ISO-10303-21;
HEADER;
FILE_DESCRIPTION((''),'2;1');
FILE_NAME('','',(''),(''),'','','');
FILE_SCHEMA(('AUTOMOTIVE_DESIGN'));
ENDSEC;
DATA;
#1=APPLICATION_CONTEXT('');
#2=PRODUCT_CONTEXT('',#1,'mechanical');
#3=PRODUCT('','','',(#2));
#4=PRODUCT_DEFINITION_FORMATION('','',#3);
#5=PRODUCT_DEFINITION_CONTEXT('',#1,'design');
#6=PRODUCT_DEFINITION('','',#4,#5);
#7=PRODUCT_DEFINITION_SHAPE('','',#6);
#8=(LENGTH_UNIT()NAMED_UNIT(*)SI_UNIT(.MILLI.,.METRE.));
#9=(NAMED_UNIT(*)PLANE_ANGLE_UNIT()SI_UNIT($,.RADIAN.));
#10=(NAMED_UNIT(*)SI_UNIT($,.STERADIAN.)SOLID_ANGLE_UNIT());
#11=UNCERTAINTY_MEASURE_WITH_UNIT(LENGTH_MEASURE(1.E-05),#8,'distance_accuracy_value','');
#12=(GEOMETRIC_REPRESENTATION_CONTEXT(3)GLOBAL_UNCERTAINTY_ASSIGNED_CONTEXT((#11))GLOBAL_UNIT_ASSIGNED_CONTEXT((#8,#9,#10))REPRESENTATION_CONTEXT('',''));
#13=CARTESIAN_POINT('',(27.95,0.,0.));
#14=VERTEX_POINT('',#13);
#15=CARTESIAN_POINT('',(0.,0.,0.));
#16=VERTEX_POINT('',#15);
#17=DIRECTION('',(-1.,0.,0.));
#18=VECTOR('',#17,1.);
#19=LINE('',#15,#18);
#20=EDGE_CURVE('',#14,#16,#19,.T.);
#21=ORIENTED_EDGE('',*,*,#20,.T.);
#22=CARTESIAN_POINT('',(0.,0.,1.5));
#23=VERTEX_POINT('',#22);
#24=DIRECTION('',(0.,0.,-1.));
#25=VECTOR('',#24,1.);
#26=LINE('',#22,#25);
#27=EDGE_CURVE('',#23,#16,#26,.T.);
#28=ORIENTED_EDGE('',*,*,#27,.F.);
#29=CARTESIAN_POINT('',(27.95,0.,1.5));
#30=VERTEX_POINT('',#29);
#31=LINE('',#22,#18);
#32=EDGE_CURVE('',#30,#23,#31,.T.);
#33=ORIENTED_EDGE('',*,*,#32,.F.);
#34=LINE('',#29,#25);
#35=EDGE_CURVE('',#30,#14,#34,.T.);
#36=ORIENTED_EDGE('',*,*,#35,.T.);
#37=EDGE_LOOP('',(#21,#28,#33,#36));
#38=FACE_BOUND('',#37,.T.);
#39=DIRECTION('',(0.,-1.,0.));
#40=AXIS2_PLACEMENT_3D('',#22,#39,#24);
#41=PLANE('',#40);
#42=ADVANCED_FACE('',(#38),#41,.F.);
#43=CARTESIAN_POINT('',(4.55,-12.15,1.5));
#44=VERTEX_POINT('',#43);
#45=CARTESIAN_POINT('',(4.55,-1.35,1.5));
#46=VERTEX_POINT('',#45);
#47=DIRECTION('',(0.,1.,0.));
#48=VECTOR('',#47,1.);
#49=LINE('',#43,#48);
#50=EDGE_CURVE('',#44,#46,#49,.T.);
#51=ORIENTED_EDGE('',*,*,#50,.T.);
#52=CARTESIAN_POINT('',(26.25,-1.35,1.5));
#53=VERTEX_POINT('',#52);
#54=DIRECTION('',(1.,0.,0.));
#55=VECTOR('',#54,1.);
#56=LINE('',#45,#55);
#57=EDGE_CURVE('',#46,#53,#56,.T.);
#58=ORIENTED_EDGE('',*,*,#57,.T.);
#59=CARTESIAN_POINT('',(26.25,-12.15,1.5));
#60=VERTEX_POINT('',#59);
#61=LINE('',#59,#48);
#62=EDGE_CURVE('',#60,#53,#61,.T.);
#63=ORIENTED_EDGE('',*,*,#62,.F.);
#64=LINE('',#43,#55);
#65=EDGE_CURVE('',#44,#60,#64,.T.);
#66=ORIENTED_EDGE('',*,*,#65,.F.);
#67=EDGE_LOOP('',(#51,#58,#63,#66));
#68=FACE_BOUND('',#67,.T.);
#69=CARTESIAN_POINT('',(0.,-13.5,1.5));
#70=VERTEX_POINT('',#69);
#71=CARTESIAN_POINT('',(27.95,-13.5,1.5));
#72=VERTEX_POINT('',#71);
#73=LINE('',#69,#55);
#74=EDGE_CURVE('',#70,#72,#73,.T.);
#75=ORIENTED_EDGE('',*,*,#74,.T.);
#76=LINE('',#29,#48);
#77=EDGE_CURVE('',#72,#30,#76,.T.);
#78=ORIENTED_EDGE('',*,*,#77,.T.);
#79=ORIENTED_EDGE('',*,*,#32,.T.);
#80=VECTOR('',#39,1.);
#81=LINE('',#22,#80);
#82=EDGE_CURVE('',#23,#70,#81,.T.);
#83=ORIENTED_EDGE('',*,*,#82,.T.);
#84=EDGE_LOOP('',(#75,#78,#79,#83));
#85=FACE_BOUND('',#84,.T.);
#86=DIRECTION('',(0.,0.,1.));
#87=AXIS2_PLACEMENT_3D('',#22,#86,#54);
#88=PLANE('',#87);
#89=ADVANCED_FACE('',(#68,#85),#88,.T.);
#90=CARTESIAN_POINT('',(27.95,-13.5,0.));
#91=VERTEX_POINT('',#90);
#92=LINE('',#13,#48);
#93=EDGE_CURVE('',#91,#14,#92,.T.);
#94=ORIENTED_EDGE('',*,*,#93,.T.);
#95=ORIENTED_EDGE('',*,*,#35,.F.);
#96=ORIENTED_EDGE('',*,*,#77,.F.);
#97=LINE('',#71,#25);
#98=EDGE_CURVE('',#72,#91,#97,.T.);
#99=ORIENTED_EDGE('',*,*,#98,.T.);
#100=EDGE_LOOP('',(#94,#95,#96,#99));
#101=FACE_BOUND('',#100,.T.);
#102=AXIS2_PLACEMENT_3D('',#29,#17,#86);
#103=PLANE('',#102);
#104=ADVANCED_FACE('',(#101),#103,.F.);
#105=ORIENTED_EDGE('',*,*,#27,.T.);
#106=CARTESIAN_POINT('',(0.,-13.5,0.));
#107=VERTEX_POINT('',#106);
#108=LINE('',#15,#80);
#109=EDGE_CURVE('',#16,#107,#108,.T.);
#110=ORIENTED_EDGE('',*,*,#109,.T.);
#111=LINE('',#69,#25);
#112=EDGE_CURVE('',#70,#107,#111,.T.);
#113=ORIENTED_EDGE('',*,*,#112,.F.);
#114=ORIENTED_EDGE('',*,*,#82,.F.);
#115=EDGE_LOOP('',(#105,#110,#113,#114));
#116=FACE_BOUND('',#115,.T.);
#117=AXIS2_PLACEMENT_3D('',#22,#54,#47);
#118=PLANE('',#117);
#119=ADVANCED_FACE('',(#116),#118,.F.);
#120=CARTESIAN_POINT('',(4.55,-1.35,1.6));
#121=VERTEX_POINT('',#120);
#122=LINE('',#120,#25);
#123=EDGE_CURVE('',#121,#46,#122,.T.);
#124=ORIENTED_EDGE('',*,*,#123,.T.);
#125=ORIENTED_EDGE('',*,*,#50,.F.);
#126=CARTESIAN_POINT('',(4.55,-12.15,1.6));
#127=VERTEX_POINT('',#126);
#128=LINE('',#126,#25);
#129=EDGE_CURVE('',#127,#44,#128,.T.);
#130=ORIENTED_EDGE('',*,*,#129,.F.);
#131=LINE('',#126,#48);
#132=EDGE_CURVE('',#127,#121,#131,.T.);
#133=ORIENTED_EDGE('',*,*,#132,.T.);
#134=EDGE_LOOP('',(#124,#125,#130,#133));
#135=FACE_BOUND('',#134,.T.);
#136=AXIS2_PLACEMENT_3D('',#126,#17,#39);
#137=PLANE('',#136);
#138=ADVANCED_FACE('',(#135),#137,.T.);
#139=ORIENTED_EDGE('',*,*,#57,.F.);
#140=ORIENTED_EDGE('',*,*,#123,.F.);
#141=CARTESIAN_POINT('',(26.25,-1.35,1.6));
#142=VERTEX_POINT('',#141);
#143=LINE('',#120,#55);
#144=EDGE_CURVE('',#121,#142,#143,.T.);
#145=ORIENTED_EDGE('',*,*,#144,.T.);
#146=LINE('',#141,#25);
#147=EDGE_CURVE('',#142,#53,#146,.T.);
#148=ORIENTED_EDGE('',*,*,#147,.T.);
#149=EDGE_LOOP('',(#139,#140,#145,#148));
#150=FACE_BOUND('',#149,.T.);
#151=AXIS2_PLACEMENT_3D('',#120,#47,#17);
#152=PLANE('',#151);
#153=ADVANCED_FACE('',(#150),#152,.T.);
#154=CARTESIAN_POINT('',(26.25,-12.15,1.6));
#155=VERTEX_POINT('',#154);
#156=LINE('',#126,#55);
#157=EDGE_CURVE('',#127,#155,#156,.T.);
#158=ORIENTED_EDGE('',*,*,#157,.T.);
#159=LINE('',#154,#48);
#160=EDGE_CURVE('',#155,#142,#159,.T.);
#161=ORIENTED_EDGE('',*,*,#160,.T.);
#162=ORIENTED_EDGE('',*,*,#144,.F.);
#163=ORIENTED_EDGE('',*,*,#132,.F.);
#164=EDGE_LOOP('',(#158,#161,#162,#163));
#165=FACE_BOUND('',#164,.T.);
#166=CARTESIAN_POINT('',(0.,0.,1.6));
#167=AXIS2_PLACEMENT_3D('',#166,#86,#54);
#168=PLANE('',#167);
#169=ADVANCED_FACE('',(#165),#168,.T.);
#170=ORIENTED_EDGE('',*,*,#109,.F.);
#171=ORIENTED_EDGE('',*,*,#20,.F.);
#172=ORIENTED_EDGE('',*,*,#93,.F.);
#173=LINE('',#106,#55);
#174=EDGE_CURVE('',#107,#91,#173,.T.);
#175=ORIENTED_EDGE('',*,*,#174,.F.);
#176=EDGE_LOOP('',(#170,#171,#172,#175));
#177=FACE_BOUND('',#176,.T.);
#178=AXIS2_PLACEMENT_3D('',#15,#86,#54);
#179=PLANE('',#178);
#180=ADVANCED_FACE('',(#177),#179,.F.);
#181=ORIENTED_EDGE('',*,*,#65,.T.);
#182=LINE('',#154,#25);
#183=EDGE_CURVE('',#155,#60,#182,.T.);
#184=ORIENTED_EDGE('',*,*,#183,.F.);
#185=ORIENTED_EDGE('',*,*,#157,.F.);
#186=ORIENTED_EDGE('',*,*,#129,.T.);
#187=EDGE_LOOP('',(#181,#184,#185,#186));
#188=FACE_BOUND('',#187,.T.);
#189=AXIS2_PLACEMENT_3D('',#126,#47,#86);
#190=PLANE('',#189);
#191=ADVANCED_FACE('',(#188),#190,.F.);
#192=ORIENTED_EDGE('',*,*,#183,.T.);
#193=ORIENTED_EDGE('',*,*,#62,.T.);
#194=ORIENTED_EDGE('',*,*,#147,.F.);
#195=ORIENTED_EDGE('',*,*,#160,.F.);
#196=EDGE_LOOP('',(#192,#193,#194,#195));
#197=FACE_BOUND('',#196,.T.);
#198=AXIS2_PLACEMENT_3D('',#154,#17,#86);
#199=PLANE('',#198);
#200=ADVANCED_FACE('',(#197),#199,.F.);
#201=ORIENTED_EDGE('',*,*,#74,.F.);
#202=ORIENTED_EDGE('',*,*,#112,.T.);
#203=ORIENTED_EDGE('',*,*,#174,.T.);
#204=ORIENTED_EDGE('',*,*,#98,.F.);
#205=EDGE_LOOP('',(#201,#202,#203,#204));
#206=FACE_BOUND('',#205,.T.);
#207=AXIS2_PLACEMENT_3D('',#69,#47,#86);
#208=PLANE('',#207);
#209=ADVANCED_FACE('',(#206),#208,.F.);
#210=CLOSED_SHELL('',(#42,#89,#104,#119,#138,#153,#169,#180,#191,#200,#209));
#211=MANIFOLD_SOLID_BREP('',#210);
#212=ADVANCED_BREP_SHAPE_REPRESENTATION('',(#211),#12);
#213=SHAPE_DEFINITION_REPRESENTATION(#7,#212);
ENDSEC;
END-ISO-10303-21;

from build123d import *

# Parameters (mm, degrees)
SKETCH_1_W      = 27.95
SKETCH_1_H      = 13.5
EXTRUDE_1_DEPTH = 1.5
SKETCH_2_W      = 21.7
SKETCH_2_H      = 10.8
EXTRUDE_2_DEPTH = 0.1


with BuildPart() as part:
    # 草图1 → 凸台-拉伸1 (new body)
    with BuildSketch(Plane.XY):
        with Locations((13.975, -6.75)):
            Rectangle(SKETCH_1_W, SKETCH_1_H)
    extrude(amount=EXTRUDE_1_DEPTH)

    # 草图2 → 凸台-拉伸2 (add)
    with BuildSketch(Plane.XY.offset(1.5)):
        with Locations((15.4, -6.75)):
            Rectangle(SKETCH_2_W, SKETCH_2_H)
    extrude(amount=EXTRUDE_2_DEPTH)


solid = part.part
